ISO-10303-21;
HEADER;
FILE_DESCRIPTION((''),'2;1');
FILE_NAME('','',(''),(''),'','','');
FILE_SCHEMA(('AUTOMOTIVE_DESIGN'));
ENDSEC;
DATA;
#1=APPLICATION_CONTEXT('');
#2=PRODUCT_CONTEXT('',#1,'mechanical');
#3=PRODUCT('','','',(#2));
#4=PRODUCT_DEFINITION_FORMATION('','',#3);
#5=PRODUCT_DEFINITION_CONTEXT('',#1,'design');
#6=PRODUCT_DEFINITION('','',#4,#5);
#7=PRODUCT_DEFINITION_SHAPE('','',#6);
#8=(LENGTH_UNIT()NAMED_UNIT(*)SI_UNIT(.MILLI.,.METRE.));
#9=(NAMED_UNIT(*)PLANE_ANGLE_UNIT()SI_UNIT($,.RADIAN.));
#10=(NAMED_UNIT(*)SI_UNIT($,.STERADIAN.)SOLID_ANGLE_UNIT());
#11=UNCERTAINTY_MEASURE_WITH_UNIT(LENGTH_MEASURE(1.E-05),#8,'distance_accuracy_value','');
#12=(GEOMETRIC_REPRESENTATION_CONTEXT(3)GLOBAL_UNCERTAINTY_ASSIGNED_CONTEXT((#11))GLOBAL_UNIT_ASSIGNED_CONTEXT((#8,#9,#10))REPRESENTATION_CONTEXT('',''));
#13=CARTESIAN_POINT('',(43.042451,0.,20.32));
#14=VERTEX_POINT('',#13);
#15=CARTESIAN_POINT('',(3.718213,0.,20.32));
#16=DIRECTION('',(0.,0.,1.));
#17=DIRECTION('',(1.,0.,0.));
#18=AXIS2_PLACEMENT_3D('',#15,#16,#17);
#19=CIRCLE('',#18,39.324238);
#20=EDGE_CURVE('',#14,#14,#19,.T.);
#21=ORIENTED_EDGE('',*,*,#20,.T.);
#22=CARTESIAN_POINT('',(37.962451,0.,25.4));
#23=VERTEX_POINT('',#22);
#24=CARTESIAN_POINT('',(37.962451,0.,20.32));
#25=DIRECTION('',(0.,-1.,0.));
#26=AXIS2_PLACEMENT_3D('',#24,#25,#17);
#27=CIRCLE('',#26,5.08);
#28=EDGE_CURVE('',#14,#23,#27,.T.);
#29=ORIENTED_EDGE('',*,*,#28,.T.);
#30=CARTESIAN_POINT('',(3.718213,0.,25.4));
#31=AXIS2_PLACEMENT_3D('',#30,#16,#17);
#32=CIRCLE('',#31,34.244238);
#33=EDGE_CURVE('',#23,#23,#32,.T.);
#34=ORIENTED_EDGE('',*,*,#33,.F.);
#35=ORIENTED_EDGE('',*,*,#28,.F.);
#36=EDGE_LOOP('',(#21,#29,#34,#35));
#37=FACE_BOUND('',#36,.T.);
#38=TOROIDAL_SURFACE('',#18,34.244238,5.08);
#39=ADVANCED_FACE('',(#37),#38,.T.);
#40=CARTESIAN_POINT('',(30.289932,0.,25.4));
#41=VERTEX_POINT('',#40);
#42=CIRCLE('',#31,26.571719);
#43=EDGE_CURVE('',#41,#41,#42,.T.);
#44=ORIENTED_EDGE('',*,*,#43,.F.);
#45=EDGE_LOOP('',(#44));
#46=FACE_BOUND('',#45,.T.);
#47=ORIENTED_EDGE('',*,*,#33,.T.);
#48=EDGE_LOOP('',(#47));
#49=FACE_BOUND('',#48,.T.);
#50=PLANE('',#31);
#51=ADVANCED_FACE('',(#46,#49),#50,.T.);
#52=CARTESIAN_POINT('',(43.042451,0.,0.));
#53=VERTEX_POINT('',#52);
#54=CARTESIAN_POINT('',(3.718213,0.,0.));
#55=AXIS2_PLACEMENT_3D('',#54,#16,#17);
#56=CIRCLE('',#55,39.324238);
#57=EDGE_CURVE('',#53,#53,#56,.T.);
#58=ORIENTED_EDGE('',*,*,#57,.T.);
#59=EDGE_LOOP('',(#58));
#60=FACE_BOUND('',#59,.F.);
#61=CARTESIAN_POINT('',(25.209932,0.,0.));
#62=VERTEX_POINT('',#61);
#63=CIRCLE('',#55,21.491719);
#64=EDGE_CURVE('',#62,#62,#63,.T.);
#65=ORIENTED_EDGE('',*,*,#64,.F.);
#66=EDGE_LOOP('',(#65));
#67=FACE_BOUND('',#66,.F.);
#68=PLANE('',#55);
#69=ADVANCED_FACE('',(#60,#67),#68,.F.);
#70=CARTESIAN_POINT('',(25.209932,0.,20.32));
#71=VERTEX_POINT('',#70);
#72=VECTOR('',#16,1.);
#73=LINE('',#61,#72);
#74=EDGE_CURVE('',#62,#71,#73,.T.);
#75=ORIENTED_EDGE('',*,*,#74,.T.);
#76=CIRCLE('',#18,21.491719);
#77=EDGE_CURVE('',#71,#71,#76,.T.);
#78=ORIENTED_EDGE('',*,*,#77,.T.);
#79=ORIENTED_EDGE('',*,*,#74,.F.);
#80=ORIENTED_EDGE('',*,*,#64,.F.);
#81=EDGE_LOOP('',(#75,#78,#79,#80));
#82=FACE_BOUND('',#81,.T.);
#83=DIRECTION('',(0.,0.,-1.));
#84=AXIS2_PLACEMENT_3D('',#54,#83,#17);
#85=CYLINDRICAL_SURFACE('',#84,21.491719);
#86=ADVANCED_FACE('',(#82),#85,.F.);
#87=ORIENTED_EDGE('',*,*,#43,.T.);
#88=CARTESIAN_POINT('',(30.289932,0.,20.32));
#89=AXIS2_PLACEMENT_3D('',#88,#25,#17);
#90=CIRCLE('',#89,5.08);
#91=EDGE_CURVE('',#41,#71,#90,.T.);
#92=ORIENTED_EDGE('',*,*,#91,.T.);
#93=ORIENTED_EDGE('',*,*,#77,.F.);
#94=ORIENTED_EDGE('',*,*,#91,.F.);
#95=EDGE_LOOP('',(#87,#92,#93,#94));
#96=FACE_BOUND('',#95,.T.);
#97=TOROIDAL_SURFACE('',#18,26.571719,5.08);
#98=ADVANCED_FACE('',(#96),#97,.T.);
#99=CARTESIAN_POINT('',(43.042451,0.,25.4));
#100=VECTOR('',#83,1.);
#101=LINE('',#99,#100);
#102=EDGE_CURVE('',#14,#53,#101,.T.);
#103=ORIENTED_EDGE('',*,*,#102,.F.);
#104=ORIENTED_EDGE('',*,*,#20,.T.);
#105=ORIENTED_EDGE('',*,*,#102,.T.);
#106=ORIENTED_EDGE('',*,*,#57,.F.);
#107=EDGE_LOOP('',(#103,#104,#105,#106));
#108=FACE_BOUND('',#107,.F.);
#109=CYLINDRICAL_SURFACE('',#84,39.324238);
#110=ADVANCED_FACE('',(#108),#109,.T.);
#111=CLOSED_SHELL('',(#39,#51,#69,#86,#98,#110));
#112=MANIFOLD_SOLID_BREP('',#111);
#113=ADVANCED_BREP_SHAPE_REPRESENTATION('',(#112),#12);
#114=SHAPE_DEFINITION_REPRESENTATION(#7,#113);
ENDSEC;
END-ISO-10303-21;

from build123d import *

# Parameters (mm, degrees)
F0_R     = 39.324238
F0_R_2   = 21.491719
F1_DEPTH = 18.288
F2_DEPTH = 25.4
F3_R     = 5.08


with BuildPart() as f1:
    # F0 (on Top) → F1 (new body)
    with BuildSketch(Plane.XY):
        with Locations((3.718213, 0)):
            Circle(F0_R)
        with Locations((3.718213, 0)):
            Circle(F0_R_2, mode=Mode.SUBTRACT)
    extrude(amount=F1_DEPTH)

    # F0 (on Top) → F2 (join)
    with BuildSketch(Plane.XY):
        with Locations((3.718213, 0)):
            Circle(F0_R)
        with Locations((3.718213, 0)):
            Circle(F0_R_2, mode=Mode.SUBTRACT)
    extrude(amount=F2_DEPTH)

    # F3
    f3_edges = [f1.edges().sort_by_distance(p)[0] for p in [
        (-35.606025, 0, 25.4),
        (-17.773505, 0, 25.4),
    ]]
    fillet(f3_edges, radius=F3_R)


solid = f1.part
